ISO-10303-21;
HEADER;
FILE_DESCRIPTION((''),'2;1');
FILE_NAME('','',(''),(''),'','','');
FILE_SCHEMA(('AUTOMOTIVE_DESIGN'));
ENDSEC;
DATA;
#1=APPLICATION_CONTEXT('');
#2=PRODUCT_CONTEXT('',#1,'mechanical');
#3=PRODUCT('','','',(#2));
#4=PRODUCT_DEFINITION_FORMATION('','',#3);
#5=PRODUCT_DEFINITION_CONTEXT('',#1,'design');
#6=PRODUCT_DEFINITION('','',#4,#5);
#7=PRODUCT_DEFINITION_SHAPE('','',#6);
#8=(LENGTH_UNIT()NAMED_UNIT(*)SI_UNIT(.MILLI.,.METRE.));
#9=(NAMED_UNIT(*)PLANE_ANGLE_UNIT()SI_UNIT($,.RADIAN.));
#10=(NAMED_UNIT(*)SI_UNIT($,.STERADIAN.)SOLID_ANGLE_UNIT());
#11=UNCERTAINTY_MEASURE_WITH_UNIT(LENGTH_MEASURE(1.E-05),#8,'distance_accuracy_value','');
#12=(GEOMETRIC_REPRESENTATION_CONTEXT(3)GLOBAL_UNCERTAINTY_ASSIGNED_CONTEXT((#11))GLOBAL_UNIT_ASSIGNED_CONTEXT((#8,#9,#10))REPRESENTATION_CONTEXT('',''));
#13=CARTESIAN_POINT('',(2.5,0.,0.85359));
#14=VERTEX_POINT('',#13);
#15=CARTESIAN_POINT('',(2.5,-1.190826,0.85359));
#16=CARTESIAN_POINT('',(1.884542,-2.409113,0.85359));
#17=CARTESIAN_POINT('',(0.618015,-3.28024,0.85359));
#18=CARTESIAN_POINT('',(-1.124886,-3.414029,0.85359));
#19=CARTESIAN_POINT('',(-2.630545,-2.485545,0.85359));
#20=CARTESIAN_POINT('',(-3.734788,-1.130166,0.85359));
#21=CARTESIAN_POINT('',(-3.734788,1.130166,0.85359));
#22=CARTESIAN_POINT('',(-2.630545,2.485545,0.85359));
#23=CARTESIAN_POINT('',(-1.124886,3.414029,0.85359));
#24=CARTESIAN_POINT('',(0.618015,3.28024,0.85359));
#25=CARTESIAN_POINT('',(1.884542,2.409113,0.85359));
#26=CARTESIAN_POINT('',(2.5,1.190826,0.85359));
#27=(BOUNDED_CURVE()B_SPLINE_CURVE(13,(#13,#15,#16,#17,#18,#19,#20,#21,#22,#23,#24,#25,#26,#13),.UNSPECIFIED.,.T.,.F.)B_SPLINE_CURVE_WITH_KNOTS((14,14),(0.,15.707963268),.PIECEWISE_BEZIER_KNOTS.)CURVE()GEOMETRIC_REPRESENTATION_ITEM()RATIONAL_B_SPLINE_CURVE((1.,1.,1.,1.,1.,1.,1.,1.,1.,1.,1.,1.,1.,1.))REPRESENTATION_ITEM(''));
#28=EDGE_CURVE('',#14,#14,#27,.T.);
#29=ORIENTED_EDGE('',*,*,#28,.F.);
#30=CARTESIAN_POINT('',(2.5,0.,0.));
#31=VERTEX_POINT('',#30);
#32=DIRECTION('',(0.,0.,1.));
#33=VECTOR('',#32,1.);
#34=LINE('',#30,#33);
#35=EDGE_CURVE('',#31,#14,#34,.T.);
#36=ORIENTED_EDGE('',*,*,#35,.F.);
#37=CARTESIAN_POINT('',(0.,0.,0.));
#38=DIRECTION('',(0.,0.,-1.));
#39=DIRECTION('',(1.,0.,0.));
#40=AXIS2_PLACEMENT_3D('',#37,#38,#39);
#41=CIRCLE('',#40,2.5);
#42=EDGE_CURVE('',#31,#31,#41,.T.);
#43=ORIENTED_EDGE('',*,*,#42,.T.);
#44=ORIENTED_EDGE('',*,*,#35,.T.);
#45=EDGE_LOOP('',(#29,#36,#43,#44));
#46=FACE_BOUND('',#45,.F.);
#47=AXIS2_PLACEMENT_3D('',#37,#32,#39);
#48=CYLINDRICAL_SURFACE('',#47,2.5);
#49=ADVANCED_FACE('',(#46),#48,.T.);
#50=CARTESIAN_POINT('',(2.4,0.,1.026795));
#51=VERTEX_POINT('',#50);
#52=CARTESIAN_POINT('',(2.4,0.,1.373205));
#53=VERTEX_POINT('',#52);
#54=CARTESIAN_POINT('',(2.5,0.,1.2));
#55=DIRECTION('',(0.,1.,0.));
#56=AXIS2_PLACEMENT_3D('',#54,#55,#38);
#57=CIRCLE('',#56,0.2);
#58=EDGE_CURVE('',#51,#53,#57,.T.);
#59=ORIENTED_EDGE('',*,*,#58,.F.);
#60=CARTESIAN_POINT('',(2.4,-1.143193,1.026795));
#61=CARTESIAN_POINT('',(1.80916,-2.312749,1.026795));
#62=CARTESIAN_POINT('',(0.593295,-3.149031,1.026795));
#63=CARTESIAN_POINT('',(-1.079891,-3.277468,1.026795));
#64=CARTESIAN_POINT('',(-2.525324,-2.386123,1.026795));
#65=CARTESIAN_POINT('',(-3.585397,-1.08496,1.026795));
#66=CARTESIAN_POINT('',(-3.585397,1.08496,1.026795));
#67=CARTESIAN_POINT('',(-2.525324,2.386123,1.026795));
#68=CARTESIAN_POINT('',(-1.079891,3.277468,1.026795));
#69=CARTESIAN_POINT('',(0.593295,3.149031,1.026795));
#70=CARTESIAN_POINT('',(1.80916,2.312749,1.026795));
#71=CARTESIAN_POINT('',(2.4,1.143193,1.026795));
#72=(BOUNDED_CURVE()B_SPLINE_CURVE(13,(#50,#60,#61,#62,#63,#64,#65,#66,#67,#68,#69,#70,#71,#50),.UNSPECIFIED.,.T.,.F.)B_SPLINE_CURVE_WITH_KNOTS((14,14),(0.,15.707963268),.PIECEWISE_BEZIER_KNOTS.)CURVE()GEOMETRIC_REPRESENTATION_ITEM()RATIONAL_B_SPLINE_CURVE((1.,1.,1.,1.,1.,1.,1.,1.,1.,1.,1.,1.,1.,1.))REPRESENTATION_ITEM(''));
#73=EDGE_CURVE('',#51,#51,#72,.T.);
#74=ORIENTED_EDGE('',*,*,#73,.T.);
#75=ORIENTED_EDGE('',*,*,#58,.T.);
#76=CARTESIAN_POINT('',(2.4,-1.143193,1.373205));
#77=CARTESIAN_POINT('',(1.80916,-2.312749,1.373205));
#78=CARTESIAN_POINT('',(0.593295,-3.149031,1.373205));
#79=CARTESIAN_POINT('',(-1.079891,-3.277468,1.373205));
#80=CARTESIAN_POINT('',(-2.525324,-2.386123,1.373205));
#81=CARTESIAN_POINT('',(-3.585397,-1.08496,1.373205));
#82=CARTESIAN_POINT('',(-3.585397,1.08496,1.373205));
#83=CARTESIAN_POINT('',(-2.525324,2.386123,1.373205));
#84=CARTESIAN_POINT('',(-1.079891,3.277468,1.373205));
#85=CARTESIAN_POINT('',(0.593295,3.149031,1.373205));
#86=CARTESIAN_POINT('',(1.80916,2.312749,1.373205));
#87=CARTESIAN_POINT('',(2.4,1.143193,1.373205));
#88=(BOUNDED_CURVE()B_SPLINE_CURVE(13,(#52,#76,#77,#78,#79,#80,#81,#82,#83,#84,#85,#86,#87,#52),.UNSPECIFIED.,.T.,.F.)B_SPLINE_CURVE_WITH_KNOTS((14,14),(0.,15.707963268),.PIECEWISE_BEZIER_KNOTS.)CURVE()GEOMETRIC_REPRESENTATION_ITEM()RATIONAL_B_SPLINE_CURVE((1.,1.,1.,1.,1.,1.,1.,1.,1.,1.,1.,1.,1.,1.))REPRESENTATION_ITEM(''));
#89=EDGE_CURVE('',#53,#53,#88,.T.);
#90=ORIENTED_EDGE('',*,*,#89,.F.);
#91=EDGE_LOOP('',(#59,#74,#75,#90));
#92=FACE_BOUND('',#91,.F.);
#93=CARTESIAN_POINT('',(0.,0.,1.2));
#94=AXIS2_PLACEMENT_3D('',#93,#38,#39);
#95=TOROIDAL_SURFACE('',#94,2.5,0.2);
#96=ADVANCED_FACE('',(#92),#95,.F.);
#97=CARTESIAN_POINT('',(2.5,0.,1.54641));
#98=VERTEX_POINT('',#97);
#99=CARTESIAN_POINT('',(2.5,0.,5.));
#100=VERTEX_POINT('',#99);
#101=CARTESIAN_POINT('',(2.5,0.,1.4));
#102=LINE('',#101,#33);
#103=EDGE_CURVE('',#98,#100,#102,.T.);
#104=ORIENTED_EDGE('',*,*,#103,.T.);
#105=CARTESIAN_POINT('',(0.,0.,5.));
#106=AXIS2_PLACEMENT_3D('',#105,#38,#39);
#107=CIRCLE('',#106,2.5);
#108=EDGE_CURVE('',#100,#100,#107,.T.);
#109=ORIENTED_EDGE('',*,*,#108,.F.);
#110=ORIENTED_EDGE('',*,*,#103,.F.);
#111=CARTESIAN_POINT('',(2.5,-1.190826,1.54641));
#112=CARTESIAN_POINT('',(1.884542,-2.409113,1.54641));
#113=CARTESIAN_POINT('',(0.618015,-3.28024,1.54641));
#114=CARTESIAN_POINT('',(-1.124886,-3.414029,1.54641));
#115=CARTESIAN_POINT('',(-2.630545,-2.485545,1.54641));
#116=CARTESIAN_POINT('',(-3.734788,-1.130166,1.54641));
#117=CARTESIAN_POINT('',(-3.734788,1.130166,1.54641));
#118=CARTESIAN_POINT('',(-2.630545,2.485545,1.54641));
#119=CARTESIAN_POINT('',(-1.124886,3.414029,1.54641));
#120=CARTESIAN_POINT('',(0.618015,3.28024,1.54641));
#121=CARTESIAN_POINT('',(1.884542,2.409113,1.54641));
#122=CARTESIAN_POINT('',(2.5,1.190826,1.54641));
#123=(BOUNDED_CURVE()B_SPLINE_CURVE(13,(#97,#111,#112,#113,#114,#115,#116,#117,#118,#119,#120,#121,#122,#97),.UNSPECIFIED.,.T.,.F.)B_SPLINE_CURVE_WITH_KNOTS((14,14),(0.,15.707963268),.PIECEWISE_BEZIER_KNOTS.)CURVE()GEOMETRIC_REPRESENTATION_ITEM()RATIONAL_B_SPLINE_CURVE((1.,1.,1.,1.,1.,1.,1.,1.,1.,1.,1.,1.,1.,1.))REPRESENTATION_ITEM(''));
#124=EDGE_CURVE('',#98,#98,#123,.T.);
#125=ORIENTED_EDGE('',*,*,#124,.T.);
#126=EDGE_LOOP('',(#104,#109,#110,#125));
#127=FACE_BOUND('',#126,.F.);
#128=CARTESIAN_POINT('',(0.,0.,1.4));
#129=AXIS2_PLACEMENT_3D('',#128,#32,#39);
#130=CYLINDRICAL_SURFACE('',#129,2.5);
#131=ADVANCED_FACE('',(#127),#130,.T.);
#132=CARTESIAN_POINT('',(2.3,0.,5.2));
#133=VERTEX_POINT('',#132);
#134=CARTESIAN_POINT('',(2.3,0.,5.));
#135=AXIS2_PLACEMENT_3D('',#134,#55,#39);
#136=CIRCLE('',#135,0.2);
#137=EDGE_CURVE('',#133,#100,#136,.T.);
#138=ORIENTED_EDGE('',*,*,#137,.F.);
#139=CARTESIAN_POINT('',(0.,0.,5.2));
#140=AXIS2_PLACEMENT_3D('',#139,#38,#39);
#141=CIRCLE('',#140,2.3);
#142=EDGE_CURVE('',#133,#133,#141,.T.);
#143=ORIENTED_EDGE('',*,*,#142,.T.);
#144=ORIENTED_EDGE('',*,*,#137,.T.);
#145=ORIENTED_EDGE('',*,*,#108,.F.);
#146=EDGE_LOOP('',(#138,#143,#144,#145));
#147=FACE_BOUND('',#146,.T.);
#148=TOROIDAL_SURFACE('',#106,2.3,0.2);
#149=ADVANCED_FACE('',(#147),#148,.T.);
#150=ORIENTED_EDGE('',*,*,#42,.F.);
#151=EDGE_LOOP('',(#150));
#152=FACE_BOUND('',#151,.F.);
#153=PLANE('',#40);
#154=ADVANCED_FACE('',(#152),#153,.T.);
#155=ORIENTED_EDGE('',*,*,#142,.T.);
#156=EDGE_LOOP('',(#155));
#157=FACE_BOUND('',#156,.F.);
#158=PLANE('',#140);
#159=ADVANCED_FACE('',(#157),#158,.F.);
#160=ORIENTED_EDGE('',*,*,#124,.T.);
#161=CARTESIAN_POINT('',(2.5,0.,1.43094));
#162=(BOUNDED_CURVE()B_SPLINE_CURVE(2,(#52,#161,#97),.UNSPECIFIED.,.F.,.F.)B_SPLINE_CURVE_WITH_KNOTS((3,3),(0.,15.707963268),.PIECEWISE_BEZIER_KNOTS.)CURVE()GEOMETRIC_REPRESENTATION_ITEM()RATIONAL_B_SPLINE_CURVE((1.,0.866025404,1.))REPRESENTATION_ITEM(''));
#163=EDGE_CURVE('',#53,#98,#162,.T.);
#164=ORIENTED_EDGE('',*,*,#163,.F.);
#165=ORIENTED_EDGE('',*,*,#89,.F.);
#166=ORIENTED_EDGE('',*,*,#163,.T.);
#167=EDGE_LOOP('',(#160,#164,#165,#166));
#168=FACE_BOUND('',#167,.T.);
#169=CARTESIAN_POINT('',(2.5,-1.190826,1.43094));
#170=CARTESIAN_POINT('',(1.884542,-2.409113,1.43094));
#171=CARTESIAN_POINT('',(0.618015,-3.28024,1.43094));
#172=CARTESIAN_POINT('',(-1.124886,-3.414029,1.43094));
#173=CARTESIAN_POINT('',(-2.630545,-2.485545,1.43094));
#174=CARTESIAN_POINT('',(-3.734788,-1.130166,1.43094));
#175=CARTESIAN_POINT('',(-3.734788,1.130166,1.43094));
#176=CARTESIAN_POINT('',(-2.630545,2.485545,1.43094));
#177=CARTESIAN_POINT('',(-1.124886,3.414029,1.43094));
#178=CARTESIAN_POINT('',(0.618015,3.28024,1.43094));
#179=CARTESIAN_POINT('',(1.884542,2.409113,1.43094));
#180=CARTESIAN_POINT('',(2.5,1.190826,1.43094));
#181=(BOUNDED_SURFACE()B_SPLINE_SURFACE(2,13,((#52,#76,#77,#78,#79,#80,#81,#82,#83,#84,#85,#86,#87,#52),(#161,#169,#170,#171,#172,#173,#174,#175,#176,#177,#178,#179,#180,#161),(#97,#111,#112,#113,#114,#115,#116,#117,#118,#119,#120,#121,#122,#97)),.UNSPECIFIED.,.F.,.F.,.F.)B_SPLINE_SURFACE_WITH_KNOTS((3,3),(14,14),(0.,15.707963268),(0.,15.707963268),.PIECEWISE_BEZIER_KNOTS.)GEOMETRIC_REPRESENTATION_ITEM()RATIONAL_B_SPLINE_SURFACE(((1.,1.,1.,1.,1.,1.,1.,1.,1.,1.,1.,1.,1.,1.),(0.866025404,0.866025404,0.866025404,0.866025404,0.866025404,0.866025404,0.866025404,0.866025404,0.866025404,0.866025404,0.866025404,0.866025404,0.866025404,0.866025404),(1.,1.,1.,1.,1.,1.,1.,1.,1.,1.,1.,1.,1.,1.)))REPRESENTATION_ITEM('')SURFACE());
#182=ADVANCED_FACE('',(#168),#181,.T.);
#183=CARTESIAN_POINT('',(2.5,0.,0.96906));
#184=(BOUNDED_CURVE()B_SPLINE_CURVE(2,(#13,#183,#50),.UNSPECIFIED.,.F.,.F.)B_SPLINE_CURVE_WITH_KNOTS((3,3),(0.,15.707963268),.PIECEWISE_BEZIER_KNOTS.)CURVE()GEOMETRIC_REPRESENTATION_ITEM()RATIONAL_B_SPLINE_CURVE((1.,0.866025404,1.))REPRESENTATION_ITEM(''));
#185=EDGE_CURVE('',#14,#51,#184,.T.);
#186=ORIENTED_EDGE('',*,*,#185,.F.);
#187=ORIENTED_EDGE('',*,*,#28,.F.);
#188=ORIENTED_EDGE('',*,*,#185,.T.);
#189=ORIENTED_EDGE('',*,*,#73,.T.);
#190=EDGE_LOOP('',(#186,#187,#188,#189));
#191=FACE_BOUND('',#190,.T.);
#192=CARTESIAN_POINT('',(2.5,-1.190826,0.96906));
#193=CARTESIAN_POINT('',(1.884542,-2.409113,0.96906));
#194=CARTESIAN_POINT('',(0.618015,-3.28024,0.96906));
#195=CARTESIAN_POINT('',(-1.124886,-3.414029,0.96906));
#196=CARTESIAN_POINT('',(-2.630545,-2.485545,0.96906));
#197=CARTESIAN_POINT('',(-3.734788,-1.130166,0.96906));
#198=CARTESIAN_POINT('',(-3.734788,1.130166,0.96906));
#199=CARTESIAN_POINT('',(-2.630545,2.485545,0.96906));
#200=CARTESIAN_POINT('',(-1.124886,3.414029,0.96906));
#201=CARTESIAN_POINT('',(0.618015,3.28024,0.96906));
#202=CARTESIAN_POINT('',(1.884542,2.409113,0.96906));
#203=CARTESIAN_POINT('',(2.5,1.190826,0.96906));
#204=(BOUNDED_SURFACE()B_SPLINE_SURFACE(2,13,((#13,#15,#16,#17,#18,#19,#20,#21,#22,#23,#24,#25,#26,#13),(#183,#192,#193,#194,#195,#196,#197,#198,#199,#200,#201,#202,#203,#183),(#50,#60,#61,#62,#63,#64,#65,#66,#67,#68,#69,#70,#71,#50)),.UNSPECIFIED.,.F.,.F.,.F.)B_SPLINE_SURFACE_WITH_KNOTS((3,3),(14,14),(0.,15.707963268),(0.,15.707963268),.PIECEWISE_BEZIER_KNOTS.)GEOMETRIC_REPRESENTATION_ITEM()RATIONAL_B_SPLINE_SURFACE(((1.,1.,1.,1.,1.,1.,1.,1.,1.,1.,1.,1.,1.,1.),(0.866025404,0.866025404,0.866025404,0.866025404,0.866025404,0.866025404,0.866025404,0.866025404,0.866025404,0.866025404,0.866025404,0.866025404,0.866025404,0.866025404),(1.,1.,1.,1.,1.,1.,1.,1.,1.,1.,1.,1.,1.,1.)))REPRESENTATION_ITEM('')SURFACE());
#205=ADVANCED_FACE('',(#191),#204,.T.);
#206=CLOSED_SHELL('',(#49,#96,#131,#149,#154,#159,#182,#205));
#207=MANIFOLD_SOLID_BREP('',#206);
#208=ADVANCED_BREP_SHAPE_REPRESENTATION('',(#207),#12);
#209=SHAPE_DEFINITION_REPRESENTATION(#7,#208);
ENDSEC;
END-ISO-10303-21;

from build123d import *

# Parameters (mm, degrees)
F2_R = 0.2


with BuildPart() as f1:
    # F0 (on Front) → F1 (revolve)
    with BuildSketch(Plane.XZ):
        with BuildLine():
            Line((2.5, 5.2), (0, 5.2))
            Line((0, 5.2), (0, 0))
            Line((0, 0), (2.5, 0))
            Line((2.5, 0), (2.5, 1))
            ThreePointArc((2.5, 1), (2.3, 1.2), (2.5, 1.4))
            Line((2.5, 1.4), (2.5, 5.2))
        make_face()
    revolve(axis=Axis((0, 0, 6.706364), (0, 0, -1)))

    # F2
    f2_edges = [f1.edges().sort_by_distance(p)[0] for p in [
        (-2.5, 0, 1.4),
        (-2.5, 0, 1),
        (-2.5, 0, 5.2),
    ]]
    fillet(f2_edges, radius=F2_R)


solid = f1.part
